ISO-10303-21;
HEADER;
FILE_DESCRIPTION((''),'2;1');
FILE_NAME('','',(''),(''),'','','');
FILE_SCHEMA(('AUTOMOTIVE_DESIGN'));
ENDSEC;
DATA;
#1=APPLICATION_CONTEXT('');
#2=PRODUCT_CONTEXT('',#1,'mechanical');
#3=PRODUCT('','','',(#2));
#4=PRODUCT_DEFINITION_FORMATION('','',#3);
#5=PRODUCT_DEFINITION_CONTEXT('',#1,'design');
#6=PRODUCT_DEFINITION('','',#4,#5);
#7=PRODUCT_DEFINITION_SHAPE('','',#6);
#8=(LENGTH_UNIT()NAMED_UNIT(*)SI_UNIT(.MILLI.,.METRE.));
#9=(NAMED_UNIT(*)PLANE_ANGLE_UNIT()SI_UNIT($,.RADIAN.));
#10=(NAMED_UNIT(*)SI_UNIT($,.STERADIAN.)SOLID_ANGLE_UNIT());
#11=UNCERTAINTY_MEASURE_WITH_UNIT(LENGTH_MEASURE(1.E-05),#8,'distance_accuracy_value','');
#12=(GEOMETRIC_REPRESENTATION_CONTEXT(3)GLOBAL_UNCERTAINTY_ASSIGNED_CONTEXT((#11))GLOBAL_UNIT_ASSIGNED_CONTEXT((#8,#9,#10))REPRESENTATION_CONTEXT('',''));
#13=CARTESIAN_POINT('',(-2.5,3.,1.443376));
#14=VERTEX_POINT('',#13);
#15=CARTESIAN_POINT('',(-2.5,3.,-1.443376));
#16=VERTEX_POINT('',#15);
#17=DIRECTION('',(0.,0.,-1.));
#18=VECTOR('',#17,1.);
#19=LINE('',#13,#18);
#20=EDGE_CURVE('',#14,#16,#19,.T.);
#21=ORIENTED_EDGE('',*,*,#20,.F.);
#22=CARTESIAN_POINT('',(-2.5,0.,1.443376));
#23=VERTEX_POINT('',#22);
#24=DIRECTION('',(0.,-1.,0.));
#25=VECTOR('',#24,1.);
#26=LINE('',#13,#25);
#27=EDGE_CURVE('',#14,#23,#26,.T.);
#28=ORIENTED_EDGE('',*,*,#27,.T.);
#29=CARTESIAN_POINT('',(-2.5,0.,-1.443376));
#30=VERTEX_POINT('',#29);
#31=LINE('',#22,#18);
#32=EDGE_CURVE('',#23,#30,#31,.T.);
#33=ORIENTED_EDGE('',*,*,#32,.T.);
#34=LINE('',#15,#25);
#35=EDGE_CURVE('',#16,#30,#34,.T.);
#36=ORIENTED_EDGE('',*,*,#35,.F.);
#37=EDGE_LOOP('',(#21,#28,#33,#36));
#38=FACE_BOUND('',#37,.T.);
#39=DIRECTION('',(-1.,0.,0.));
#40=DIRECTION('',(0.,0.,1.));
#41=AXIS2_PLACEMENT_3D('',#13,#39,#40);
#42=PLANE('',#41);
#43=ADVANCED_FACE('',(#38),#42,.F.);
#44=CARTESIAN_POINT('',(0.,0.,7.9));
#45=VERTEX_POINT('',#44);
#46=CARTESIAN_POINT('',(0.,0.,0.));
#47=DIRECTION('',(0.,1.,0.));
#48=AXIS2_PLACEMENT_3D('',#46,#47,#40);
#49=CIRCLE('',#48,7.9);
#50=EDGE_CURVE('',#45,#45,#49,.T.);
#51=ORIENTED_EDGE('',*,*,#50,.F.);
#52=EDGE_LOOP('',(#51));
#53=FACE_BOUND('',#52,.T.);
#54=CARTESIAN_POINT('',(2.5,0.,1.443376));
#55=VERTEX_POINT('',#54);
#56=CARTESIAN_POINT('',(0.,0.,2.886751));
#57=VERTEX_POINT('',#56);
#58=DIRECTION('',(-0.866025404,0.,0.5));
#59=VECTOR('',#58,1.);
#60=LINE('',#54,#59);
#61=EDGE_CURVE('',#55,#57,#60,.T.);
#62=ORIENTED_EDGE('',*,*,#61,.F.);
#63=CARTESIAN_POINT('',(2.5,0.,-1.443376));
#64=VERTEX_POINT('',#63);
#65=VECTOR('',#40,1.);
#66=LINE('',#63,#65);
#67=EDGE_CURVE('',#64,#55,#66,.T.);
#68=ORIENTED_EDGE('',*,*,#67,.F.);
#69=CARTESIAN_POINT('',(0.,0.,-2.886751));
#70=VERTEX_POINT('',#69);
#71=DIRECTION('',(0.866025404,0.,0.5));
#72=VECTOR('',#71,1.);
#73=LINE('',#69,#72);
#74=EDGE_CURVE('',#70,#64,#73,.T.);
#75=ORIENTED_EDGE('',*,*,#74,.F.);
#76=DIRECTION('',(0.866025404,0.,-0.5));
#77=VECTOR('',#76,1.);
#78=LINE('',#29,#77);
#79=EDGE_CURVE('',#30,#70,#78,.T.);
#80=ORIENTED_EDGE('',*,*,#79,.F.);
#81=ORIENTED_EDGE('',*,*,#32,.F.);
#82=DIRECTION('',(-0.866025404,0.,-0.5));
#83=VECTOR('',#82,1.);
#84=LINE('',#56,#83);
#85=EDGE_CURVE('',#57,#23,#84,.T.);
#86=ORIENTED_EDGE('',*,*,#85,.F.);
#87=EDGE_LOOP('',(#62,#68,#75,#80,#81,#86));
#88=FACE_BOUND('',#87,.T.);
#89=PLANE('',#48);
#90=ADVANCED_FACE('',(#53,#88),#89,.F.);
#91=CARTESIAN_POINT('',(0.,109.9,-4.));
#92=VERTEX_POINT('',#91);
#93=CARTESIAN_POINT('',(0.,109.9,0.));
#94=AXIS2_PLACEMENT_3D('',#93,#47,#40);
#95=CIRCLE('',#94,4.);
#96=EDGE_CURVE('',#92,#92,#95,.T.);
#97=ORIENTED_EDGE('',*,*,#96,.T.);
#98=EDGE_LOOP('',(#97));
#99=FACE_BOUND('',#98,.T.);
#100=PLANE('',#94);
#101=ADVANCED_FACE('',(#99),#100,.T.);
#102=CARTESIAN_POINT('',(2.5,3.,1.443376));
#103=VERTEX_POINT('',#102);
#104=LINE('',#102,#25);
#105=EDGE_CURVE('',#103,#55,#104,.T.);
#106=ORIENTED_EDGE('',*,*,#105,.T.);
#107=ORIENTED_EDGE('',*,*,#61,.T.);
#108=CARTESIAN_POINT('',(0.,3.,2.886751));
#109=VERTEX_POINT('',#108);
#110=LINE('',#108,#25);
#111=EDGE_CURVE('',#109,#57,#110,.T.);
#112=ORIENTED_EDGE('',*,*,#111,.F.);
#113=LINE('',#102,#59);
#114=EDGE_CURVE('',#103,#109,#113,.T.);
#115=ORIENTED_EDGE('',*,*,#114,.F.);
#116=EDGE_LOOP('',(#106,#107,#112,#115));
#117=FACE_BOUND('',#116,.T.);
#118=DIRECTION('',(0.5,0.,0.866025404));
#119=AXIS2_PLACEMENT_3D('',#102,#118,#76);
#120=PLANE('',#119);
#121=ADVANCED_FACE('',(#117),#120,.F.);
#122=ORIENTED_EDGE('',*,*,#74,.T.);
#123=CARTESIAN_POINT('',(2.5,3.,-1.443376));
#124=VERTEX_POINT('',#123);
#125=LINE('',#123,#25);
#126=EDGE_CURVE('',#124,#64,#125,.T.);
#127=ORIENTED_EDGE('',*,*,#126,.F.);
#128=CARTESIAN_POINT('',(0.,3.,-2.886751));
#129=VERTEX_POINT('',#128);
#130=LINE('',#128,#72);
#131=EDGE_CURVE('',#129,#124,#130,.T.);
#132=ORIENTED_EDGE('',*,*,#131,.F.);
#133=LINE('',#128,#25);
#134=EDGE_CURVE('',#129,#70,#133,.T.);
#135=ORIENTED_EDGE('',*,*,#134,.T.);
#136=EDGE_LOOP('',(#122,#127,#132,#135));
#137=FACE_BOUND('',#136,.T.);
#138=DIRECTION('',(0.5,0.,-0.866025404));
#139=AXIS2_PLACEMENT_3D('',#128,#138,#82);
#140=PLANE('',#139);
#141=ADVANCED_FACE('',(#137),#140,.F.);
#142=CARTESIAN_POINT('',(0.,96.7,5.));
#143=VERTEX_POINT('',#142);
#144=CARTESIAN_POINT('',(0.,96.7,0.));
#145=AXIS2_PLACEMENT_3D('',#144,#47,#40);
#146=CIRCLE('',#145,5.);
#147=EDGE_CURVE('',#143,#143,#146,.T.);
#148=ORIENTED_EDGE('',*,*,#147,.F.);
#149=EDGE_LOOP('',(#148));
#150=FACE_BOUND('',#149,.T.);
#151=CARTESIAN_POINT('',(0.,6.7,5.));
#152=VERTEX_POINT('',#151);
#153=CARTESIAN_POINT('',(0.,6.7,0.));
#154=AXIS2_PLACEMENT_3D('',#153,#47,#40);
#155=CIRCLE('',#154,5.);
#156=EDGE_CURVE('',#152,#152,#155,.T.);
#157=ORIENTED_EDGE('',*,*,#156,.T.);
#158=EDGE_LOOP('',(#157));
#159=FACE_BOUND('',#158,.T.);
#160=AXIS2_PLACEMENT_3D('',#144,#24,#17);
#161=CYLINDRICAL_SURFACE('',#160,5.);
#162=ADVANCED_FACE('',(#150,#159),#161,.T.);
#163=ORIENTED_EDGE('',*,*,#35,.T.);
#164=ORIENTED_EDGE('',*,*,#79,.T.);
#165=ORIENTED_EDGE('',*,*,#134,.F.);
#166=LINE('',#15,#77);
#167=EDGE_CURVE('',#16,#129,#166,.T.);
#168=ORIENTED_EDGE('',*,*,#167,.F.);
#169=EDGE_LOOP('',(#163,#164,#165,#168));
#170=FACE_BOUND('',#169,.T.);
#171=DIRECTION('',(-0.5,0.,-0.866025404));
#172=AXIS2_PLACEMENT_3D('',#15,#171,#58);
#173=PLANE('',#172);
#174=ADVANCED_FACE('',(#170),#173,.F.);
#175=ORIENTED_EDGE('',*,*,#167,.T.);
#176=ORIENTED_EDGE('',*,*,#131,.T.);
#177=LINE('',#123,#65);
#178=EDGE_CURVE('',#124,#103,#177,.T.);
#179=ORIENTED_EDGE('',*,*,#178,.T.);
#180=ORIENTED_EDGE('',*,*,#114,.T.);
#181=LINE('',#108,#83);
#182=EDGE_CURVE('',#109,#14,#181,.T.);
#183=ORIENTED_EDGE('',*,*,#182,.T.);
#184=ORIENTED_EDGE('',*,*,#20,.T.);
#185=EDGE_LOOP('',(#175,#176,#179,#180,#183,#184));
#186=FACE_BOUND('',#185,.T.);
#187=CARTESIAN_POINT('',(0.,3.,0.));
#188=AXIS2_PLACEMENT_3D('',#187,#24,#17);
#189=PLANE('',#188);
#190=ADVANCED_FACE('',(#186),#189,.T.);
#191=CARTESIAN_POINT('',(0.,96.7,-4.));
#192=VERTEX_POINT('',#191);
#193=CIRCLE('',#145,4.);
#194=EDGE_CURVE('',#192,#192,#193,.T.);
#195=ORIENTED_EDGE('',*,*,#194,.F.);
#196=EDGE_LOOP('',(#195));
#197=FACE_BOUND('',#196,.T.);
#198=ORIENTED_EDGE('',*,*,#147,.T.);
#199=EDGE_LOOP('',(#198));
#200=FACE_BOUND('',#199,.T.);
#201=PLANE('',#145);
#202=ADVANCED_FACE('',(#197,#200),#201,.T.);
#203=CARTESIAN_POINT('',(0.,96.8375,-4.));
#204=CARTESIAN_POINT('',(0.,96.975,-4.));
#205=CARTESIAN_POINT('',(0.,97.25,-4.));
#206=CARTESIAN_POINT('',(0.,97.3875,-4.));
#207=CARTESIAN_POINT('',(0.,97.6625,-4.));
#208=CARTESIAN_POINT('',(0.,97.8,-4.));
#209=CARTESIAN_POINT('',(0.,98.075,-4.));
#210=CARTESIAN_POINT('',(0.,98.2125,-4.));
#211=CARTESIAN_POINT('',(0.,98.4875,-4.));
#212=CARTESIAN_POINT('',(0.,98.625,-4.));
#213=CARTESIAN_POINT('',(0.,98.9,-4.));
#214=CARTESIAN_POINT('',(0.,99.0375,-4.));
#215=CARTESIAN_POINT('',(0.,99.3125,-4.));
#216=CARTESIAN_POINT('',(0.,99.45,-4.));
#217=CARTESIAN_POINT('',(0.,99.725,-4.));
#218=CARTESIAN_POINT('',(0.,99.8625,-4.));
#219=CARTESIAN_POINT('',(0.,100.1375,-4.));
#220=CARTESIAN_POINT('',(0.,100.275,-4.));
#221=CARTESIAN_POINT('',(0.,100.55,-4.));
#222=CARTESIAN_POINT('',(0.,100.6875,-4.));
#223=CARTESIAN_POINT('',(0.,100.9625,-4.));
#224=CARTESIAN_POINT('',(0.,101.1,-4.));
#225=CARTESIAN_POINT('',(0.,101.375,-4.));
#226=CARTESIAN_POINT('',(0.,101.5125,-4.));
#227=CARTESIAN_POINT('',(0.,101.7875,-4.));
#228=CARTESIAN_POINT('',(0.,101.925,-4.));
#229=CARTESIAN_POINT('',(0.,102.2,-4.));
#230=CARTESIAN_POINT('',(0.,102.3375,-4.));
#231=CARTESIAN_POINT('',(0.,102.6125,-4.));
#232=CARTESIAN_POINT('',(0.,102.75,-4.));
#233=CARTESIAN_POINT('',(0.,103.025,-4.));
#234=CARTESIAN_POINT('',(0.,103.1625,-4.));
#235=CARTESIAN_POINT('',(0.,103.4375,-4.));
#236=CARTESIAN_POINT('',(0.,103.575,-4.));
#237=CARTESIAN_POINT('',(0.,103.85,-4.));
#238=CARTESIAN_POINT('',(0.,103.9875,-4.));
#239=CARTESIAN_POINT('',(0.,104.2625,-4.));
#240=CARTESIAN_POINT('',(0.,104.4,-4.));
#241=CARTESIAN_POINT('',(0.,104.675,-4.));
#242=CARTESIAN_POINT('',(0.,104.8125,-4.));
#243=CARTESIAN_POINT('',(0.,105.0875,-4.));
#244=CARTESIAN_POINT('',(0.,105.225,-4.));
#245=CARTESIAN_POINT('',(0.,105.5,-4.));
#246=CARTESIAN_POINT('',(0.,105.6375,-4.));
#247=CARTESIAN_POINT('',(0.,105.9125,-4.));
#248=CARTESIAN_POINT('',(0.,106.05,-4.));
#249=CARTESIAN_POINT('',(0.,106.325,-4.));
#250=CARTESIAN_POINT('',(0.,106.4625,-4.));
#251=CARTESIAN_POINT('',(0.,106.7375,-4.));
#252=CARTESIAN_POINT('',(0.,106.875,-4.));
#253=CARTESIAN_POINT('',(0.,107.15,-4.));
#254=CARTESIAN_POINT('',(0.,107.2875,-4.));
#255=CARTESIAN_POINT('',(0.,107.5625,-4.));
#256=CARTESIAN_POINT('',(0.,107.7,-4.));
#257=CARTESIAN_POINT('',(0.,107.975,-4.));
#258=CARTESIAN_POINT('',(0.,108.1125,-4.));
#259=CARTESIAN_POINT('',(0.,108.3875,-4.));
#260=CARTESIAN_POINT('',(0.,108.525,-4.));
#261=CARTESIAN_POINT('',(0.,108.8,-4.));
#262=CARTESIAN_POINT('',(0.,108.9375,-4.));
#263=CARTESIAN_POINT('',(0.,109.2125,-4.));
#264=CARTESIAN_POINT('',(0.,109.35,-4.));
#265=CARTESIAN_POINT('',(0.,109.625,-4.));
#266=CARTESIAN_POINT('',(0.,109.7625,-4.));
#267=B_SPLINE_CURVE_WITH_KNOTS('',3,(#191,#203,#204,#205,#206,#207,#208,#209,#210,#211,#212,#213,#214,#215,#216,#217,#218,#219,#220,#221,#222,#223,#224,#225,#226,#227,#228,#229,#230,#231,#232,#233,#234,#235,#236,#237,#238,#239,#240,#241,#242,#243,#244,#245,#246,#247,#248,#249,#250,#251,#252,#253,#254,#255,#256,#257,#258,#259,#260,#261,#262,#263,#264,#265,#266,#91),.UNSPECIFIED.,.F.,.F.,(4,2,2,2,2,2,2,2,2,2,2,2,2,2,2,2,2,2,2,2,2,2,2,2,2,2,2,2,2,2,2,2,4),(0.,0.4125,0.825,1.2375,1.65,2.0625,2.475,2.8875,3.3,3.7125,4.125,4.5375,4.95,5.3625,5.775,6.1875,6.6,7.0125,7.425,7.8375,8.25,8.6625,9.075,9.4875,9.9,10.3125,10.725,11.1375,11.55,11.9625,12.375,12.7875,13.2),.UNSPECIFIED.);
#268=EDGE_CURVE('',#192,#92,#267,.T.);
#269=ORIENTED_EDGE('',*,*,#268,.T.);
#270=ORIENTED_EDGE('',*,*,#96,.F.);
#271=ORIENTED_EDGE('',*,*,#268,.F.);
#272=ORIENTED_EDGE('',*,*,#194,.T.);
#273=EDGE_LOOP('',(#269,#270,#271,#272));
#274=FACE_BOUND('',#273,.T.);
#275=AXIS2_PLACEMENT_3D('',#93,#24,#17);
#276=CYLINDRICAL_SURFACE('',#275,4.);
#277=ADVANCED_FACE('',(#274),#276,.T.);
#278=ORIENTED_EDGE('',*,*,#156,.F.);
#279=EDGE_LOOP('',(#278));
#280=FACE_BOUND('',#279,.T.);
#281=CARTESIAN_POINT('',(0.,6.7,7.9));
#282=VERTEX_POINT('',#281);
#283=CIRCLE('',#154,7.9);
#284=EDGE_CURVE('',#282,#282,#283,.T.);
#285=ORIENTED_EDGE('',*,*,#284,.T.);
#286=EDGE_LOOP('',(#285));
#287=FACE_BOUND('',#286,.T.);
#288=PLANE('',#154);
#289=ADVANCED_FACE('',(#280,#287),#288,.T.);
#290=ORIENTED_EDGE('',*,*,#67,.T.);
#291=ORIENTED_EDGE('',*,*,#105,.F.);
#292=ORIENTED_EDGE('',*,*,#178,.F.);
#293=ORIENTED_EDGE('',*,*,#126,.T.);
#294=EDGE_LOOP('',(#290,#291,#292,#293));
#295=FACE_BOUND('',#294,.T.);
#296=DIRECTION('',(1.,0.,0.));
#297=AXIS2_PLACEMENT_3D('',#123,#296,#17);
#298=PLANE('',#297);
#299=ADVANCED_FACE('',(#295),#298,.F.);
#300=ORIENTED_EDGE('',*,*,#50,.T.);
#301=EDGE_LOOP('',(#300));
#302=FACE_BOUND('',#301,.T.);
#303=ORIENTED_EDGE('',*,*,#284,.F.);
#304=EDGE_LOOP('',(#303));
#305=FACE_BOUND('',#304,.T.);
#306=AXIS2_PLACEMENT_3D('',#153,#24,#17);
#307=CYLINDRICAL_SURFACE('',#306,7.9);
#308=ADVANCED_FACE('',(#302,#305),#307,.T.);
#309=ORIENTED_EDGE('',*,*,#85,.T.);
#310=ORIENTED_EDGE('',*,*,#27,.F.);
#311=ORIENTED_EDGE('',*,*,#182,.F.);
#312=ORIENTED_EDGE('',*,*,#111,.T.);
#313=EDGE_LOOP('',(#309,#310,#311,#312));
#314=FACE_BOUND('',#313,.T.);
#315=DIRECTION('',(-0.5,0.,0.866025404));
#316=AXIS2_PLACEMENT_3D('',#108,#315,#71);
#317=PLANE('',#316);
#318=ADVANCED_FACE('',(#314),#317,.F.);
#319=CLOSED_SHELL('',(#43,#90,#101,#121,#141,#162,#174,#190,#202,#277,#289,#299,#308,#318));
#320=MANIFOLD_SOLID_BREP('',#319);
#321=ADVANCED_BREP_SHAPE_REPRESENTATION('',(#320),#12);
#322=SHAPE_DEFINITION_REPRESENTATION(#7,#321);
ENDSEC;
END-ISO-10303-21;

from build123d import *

# Parameters (mm, degrees)
SKETCH_1_R          = 4
EXTRUDE_1_DEPTH     = 109.9
SKETCH_1_3_R        = 5
SKETCH_1_3_R_2      = 4
EXTRUDE_2_DEPTH     = 96.7
SKETCH_1_4_R        = 7.9
SKETCH_1_4_R_2      = 5
EXTRUDE_3_DEPTH     = 6.7
CUT_EXTRUDE_1_DEPTH = 3


with BuildPart() as part:
    # 草图1 → 凸台-拉伸1 (new body)
    with BuildSketch(Plane(origin=(0, 0, 0), x_dir=(1, 0, 0), z_dir=(0, 1, 0))):
        Circle(SKETCH_1_R)
    extrude(amount=EXTRUDE_1_DEPTH)

    # 草图1<3> → 凸台-拉伸2 (add)
    with BuildSketch(Plane(origin=(0, 0, 0), x_dir=(1, 0, 0), z_dir=(0, 1, 0))):
        Circle(SKETCH_1_3_R)
        Circle(SKETCH_1_3_R_2, mode=Mode.SUBTRACT)
    extrude(amount=EXTRUDE_2_DEPTH)

    # 草图1<4> → 凸台-拉伸3 (add)
    with BuildSketch(Plane(origin=(0, 0, 0), x_dir=(1, 0, 0), z_dir=(0, 1, 0))):
        Circle(SKETCH_1_4_R)
        Circle(SKETCH_1_4_R_2, mode=Mode.SUBTRACT)
    extrude(amount=EXTRUDE_3_DEPTH)

    # 草图2 → 切除-拉伸1 (cut)
    with BuildSketch(Plane.XZ):
        Polygon((2.5, 1.443375673), (0, 2.886751346), (-2.5, 1.443375673), (-2.5, -1.443375673), (0, -2.886751346), (2.5, -1.443375673), align=None)
    extrude(amount=-CUT_EXTRUDE_1_DEPTH, mode=Mode.SUBTRACT)


solid = part.part
